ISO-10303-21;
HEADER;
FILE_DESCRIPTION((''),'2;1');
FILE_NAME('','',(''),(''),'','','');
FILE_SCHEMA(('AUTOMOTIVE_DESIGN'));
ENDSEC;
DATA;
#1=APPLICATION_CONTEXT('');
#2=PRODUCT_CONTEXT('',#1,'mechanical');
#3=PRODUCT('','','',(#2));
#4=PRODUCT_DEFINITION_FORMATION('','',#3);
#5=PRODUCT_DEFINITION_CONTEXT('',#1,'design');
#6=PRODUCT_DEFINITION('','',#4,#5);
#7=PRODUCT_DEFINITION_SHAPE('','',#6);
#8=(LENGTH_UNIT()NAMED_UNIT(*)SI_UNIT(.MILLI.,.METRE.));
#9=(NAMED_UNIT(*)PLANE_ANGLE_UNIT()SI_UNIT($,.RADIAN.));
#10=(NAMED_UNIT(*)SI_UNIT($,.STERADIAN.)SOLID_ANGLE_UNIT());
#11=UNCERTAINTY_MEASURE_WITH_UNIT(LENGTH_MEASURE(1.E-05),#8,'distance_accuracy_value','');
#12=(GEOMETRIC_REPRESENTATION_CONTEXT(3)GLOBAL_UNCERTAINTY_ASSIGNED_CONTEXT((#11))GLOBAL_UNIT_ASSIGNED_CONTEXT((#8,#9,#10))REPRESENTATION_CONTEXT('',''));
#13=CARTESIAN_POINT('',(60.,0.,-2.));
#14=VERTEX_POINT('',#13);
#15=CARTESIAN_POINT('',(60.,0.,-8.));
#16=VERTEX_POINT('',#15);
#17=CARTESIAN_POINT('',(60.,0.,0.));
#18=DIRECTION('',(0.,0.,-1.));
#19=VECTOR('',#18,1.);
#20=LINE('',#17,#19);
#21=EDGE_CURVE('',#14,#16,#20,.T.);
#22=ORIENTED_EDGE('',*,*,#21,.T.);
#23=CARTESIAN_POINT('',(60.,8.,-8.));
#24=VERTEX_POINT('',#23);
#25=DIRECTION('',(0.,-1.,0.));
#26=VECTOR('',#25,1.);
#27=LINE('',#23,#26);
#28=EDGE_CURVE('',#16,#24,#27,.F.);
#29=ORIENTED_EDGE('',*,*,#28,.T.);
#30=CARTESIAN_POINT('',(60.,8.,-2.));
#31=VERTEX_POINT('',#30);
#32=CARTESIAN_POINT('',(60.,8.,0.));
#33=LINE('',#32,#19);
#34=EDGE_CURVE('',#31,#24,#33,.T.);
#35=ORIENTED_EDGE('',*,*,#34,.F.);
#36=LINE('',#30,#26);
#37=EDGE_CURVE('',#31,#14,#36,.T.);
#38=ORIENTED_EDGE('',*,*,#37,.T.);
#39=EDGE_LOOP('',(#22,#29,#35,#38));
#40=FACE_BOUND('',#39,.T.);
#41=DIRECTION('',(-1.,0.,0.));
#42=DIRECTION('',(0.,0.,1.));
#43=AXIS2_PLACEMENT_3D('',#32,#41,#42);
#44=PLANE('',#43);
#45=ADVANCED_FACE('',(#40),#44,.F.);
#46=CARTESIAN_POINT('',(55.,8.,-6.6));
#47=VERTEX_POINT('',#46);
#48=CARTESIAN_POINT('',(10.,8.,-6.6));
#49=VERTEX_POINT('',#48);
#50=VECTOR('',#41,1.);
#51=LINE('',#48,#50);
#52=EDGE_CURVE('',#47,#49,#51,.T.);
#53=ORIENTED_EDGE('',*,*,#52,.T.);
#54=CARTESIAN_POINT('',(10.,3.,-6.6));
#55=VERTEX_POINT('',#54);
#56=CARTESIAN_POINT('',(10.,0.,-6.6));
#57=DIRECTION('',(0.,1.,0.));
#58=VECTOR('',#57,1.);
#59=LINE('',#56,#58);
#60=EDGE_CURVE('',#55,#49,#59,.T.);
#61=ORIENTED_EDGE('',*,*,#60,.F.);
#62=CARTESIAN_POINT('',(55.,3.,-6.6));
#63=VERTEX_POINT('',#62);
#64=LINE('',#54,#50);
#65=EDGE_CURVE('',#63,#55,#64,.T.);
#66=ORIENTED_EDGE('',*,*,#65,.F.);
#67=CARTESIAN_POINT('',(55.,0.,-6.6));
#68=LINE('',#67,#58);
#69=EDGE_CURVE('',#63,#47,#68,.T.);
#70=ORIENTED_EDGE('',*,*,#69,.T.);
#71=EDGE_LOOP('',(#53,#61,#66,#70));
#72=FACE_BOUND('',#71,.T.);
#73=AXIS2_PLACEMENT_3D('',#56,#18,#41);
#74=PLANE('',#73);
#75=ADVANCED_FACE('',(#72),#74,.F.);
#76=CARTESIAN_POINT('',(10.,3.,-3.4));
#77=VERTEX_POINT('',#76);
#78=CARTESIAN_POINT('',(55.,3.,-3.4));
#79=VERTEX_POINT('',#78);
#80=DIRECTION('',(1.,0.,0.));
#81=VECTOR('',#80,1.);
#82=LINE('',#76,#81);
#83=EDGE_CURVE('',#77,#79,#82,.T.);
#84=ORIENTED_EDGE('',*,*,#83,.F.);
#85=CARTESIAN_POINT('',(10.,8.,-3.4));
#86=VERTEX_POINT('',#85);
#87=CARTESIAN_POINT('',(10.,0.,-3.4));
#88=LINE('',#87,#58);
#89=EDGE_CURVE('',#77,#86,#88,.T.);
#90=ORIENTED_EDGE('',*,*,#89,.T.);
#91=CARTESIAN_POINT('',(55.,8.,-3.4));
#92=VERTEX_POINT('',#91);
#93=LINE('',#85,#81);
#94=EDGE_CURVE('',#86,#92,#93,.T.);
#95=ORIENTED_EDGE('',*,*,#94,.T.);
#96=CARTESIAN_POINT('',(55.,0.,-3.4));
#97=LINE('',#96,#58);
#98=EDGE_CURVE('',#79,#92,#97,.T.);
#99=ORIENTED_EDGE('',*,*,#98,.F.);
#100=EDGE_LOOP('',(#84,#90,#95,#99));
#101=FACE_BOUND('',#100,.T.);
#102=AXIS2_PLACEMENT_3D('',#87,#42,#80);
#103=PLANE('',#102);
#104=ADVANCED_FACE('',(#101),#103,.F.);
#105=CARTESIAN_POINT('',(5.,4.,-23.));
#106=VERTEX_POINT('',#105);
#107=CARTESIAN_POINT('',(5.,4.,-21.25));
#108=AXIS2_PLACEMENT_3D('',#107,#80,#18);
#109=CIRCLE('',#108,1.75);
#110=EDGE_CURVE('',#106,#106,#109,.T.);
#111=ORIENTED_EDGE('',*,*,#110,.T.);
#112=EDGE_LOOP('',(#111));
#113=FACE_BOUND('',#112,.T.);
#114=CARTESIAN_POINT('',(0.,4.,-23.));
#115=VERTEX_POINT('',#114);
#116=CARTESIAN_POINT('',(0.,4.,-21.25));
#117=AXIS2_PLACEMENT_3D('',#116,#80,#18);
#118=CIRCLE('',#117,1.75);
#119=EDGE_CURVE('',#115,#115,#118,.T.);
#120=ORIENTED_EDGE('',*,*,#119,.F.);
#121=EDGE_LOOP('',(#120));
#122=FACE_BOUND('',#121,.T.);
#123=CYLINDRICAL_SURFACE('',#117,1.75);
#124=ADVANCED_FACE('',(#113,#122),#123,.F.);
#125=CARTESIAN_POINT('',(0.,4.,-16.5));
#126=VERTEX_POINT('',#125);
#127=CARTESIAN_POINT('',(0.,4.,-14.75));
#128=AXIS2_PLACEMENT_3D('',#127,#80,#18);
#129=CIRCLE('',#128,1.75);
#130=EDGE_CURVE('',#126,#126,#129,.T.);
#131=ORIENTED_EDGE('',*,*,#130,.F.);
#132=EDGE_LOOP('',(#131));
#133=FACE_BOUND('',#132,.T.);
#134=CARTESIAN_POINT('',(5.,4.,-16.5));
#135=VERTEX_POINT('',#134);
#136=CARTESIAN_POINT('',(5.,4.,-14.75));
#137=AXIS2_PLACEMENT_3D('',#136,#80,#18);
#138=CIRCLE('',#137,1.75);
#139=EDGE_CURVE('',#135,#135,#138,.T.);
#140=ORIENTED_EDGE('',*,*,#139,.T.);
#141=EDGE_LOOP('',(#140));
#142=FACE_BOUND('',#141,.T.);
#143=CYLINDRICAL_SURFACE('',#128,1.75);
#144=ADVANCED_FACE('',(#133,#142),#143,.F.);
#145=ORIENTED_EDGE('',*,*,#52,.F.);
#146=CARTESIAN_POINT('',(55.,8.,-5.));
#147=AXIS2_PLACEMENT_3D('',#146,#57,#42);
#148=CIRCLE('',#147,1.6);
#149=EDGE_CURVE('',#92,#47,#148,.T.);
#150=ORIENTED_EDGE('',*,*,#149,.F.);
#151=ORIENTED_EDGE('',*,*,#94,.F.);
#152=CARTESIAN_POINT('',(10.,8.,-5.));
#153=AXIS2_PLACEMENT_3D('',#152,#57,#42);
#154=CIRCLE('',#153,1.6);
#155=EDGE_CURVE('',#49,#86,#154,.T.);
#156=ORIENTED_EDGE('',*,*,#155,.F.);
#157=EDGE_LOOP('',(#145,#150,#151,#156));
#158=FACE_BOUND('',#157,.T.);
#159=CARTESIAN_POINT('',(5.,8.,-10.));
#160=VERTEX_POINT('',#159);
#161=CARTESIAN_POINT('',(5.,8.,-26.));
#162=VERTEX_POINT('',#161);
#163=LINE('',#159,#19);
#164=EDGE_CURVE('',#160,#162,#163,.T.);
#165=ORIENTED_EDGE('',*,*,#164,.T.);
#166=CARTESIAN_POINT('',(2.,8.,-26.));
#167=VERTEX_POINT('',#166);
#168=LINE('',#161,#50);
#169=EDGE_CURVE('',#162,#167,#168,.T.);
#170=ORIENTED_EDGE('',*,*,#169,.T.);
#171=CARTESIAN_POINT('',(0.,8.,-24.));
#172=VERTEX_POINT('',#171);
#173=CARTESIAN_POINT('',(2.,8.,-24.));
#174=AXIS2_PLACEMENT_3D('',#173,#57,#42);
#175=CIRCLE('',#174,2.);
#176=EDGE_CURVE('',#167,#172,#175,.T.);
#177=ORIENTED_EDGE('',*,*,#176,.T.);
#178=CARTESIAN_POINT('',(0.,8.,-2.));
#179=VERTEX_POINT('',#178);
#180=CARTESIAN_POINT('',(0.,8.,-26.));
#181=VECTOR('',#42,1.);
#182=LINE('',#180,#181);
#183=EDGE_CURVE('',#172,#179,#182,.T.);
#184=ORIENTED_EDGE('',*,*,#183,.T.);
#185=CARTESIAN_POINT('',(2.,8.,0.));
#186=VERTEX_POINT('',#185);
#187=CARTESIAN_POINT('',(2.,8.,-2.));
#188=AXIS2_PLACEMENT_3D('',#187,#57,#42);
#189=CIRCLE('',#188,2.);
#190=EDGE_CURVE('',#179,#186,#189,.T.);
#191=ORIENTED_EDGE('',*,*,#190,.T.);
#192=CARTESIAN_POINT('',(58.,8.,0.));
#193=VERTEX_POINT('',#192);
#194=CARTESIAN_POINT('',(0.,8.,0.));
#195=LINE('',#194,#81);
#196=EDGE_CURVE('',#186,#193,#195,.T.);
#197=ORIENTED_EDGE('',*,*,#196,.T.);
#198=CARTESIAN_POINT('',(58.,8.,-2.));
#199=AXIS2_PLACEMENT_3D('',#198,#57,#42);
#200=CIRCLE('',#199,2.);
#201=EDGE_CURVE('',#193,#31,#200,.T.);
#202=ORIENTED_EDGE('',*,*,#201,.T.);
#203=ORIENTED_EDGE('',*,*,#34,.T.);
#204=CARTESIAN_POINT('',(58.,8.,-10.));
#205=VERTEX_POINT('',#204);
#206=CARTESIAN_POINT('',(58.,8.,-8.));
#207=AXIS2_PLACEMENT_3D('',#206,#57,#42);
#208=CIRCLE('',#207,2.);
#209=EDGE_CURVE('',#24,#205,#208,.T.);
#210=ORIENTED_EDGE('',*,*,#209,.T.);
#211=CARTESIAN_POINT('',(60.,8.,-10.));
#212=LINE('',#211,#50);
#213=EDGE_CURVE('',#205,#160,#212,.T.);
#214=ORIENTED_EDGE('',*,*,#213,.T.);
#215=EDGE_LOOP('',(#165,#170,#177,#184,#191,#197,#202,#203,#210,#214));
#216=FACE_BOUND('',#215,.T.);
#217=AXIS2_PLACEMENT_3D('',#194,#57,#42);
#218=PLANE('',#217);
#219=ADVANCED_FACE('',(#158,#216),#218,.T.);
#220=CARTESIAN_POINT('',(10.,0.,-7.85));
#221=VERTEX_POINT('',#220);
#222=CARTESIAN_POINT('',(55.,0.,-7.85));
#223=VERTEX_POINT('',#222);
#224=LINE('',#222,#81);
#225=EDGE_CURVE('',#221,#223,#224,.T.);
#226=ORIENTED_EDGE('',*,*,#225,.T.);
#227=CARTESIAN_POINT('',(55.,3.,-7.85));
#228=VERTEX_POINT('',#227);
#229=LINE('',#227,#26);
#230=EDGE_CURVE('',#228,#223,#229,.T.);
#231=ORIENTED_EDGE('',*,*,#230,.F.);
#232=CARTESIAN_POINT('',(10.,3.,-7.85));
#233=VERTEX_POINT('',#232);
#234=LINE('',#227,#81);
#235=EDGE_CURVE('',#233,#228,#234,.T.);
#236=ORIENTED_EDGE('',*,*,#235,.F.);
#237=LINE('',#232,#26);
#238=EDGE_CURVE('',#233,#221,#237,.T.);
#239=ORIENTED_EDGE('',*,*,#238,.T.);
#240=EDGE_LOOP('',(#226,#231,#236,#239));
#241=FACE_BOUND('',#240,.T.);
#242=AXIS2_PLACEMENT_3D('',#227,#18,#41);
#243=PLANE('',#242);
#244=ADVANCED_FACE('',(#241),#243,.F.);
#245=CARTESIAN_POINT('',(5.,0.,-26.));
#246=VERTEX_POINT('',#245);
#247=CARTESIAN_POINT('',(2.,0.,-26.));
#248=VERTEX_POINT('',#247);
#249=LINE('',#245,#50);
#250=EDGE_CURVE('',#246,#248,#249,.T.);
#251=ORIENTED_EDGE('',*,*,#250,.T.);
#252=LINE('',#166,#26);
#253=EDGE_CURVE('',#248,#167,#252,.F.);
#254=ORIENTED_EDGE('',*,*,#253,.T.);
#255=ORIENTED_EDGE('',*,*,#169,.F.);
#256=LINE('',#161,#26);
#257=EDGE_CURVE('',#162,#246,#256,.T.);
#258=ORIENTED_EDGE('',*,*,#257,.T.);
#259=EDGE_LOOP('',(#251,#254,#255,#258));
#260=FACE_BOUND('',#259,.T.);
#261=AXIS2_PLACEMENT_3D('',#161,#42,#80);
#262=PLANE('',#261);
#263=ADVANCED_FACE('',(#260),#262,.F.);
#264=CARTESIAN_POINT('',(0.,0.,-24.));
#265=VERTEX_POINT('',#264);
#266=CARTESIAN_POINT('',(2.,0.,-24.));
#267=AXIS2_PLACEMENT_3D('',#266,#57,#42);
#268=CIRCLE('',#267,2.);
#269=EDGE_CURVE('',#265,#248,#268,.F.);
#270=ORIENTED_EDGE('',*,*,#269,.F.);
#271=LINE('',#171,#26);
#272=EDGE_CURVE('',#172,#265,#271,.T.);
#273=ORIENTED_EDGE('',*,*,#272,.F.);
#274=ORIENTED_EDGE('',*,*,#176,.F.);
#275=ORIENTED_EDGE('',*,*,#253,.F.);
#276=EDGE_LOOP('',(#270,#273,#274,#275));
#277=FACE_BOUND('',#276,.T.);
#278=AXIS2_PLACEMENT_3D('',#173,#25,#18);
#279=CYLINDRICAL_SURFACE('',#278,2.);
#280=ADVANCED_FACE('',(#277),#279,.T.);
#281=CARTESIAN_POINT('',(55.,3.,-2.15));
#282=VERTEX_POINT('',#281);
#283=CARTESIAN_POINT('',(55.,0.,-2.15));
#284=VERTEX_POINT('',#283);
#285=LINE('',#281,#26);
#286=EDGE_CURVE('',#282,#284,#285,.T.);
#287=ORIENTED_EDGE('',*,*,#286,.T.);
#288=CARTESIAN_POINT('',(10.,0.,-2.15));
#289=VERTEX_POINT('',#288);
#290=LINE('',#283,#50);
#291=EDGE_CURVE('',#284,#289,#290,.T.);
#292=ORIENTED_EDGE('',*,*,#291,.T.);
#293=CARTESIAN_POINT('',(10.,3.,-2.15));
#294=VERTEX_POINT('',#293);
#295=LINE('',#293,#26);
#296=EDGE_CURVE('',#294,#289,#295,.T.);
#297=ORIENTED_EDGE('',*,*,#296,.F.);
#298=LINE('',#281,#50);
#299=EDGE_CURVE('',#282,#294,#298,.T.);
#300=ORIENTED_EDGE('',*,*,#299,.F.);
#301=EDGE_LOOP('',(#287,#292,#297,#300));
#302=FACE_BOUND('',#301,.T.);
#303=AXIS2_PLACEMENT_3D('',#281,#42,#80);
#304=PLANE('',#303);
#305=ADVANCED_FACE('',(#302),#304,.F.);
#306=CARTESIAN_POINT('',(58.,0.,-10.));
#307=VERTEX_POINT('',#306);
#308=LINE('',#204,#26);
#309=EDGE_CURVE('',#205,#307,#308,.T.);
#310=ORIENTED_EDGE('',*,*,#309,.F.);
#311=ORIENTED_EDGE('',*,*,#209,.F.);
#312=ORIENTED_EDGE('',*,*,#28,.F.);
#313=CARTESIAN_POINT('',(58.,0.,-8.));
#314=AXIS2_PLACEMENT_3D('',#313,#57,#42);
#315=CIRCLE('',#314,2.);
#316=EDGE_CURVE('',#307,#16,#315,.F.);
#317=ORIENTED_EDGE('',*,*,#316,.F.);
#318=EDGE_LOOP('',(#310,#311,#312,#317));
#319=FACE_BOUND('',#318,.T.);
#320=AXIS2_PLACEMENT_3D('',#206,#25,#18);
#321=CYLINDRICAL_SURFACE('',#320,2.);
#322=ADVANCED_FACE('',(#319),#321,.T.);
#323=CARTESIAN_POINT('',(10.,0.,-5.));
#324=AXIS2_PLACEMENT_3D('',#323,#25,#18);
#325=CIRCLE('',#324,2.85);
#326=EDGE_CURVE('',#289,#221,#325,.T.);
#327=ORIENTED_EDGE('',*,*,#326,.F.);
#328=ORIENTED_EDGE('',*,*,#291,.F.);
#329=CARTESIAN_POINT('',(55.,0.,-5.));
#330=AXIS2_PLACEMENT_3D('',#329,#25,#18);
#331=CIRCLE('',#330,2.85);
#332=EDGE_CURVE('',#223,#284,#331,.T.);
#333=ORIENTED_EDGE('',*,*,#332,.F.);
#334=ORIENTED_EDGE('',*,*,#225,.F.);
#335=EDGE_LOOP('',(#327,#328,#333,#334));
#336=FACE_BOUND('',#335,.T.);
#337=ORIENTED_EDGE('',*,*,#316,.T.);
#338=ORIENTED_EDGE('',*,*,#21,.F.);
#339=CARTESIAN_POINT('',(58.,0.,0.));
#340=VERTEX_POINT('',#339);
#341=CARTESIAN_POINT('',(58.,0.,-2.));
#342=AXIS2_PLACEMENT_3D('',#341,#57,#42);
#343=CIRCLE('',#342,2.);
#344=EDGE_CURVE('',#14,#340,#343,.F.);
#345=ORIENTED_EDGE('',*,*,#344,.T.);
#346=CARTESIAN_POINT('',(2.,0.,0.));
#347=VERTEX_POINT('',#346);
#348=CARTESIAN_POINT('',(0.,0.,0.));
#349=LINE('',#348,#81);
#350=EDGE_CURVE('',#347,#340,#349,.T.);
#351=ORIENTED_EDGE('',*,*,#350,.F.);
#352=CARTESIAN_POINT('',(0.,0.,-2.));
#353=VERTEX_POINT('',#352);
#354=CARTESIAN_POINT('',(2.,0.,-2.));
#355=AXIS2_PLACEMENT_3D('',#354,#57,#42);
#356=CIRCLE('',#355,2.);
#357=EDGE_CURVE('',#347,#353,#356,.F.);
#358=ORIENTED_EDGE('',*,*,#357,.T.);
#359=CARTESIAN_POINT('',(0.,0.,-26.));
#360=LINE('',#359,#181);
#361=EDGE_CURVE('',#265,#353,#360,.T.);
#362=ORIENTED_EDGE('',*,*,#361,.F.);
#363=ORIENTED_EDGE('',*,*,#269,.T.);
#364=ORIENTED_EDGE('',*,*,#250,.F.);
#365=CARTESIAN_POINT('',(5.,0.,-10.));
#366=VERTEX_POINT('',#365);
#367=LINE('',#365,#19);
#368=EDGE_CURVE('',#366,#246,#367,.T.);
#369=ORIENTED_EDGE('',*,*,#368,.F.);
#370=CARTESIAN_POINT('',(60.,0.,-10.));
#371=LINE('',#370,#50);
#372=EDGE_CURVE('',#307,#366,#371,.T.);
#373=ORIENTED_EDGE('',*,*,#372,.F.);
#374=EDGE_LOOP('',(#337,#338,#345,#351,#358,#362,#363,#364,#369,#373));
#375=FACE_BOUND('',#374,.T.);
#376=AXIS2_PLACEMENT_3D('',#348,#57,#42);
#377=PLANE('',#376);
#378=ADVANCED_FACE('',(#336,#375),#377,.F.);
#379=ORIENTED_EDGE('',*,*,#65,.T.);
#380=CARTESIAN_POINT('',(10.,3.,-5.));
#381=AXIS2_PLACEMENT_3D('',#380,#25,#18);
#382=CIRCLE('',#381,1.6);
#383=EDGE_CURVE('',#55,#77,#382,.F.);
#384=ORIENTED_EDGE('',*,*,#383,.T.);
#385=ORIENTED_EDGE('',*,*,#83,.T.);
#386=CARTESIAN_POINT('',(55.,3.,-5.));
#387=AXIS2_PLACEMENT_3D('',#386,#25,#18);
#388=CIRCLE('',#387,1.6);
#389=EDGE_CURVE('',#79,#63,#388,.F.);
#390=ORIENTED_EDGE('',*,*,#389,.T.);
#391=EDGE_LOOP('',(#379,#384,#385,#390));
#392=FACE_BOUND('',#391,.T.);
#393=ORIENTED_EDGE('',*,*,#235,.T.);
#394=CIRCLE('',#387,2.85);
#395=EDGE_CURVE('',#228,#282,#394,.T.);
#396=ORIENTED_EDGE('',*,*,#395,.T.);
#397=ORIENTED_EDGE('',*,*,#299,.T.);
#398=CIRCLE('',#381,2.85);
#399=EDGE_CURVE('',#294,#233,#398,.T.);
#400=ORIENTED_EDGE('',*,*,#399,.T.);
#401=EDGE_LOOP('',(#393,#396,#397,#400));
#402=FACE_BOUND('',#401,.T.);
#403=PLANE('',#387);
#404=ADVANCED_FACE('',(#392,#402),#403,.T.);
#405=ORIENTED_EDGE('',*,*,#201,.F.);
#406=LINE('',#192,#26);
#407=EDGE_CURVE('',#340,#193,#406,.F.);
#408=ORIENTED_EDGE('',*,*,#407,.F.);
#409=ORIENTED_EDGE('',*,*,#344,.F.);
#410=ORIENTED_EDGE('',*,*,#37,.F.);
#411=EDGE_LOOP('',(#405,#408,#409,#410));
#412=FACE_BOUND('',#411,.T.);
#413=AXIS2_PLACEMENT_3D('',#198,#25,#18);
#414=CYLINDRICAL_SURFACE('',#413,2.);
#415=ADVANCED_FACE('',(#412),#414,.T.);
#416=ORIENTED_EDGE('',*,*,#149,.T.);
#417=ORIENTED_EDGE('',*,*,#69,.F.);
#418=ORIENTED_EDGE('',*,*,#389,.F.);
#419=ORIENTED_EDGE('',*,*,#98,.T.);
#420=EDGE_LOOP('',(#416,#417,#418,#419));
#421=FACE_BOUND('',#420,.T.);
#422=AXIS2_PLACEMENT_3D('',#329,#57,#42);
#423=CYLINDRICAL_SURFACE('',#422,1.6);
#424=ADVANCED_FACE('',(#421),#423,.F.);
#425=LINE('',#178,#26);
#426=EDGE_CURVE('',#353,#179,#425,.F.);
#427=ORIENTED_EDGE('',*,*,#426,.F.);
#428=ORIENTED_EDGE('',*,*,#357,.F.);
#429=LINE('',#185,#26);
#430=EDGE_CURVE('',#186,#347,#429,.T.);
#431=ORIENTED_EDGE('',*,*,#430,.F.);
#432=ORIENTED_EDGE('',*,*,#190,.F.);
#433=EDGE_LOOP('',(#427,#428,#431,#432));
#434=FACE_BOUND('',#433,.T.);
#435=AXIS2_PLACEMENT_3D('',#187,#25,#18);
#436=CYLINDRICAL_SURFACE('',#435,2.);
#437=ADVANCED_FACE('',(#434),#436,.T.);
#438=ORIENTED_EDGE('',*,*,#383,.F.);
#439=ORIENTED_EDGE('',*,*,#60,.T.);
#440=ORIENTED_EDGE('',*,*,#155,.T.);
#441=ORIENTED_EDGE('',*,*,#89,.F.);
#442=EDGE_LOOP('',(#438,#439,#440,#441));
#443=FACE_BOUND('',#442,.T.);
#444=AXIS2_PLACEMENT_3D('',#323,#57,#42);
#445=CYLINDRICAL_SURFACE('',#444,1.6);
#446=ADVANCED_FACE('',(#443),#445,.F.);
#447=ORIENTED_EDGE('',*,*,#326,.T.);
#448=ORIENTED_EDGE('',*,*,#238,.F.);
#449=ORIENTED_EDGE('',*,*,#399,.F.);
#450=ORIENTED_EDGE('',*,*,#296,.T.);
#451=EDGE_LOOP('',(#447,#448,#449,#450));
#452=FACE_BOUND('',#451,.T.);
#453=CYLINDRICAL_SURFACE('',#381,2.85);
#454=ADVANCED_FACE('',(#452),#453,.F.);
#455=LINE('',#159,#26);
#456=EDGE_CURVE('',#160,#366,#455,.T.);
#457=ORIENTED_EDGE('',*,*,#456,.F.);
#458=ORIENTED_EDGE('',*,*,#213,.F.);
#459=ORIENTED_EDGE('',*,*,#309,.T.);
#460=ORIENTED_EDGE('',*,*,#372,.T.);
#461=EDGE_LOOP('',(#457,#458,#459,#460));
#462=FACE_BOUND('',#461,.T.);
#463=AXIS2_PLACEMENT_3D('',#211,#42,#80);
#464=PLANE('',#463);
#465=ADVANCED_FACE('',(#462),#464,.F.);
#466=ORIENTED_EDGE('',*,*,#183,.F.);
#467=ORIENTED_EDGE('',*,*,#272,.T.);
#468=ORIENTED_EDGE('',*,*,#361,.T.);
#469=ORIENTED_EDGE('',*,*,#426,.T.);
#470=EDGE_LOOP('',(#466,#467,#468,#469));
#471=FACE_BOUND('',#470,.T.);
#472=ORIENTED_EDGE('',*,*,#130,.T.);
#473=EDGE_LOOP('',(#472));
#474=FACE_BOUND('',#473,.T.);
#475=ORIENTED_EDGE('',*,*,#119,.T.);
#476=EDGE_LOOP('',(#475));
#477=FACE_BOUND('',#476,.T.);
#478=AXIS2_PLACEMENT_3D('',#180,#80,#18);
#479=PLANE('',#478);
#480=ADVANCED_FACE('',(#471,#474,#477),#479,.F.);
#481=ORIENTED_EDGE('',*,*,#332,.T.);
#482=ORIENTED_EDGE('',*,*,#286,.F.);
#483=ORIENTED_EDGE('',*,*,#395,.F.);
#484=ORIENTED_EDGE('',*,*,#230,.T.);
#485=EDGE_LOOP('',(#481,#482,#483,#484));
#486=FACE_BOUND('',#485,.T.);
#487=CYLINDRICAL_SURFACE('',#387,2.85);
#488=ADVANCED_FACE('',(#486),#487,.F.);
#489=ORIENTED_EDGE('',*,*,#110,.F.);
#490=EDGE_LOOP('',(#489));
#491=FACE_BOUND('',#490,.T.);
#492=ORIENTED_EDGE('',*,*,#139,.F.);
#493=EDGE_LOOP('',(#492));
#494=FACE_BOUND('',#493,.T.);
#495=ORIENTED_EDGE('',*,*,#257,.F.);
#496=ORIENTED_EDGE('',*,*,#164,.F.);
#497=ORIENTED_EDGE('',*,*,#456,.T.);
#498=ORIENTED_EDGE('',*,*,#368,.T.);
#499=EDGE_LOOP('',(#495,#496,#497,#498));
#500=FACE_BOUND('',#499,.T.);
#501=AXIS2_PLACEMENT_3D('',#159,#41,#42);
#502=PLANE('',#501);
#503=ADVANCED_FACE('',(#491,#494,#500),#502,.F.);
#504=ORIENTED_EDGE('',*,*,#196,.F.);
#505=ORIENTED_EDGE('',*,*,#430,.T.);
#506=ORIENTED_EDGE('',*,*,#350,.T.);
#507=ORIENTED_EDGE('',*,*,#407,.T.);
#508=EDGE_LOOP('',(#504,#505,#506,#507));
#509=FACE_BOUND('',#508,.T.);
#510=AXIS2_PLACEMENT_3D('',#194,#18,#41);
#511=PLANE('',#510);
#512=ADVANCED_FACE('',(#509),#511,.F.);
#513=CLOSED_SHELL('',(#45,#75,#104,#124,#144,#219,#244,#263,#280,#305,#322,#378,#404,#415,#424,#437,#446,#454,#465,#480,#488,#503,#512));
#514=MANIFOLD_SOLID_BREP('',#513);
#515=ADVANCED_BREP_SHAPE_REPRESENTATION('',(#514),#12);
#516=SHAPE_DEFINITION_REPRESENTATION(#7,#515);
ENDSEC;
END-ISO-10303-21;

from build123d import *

# Parameters (mm, degrees)
BOSS_EXTRUDE1_DEPTH = 8
SKETCH2_R           = 1.75
CUT_EXTRUDE1_DEPTH  = 62.359595827
CUT_EXTRUDE2_DEPTH  = 66.878676368
CUT_EXTRUDE3_DEPTH  = 3
FILLET1_R           = 2


with BuildPart() as part:
    # Sketch1 → Boss-Extrude1 (new body)
    with BuildSketch(Plane(origin=(0, 0, 0), x_dir=(1, 0, 0), z_dir=(0, 1, 0))):
        Polygon((0, 26), (0, 0), (60, 0), (60, 10), (5, 10), (5, 26), align=None)
    extrude(amount=BOSS_EXTRUDE1_DEPTH)

    # Sketch2 → Cut-Extrude1 (cut, through all)
    with BuildSketch(Plane(origin=(5, 0, 0), x_dir=(0, 0, -1), z_dir=(1, 0, 0))):
        with Locations((21.25, 4)):
            Circle(SKETCH2_R)
        with Locations((14.75, 4)):
            Circle(SKETCH2_R)
    extrude(amount=-CUT_EXTRUDE1_DEPTH, mode=Mode.SUBTRACT)

    # Sketch3 → Cut-Extrude2 (cut, through all)
    with BuildSketch(Plane(origin=(0, 8, 0), x_dir=(1, 0, 0), z_dir=(0, 1, 0))):
        with BuildLine():
            Line((10, 6.6), (55, 6.6))
            ThreePointArc((55, 6.6), (56.6, 5), (55, 3.4))
            Line((55, 3.4), (10, 3.4))
            ThreePointArc((10, 3.4), (8.4, 5), (10, 6.6))
        make_face()
    extrude(amount=-CUT_EXTRUDE2_DEPTH, mode=Mode.SUBTRACT)

    # Sketch4 → Cut-Extrude3 (cut)
    with BuildSketch(Plane.XZ):
        with BuildLine():
            Line((55, -7.85), (10, -7.85))
            ThreePointArc((10, -7.85), (7.15, -5), (10, -2.15))
            Line((10, -2.15), (55, -2.15))
            ThreePointArc((55, -2.15), (57.85, -5), (55, -7.85))
        make_face()
    extrude(amount=-CUT_EXTRUDE3_DEPTH, mode=Mode.SUBTRACT)

    # Fillet1
    fillet1_edges = [part.edges().sort_by_distance(p)[0] for p in [
        (60, 4, -10),
        (60, 4, 0),
        (0, 4, 0),
        (0, 4, -26),
    ]]
    fillet(fillet1_edges, radius=FILLET1_R)


solid = part.part
